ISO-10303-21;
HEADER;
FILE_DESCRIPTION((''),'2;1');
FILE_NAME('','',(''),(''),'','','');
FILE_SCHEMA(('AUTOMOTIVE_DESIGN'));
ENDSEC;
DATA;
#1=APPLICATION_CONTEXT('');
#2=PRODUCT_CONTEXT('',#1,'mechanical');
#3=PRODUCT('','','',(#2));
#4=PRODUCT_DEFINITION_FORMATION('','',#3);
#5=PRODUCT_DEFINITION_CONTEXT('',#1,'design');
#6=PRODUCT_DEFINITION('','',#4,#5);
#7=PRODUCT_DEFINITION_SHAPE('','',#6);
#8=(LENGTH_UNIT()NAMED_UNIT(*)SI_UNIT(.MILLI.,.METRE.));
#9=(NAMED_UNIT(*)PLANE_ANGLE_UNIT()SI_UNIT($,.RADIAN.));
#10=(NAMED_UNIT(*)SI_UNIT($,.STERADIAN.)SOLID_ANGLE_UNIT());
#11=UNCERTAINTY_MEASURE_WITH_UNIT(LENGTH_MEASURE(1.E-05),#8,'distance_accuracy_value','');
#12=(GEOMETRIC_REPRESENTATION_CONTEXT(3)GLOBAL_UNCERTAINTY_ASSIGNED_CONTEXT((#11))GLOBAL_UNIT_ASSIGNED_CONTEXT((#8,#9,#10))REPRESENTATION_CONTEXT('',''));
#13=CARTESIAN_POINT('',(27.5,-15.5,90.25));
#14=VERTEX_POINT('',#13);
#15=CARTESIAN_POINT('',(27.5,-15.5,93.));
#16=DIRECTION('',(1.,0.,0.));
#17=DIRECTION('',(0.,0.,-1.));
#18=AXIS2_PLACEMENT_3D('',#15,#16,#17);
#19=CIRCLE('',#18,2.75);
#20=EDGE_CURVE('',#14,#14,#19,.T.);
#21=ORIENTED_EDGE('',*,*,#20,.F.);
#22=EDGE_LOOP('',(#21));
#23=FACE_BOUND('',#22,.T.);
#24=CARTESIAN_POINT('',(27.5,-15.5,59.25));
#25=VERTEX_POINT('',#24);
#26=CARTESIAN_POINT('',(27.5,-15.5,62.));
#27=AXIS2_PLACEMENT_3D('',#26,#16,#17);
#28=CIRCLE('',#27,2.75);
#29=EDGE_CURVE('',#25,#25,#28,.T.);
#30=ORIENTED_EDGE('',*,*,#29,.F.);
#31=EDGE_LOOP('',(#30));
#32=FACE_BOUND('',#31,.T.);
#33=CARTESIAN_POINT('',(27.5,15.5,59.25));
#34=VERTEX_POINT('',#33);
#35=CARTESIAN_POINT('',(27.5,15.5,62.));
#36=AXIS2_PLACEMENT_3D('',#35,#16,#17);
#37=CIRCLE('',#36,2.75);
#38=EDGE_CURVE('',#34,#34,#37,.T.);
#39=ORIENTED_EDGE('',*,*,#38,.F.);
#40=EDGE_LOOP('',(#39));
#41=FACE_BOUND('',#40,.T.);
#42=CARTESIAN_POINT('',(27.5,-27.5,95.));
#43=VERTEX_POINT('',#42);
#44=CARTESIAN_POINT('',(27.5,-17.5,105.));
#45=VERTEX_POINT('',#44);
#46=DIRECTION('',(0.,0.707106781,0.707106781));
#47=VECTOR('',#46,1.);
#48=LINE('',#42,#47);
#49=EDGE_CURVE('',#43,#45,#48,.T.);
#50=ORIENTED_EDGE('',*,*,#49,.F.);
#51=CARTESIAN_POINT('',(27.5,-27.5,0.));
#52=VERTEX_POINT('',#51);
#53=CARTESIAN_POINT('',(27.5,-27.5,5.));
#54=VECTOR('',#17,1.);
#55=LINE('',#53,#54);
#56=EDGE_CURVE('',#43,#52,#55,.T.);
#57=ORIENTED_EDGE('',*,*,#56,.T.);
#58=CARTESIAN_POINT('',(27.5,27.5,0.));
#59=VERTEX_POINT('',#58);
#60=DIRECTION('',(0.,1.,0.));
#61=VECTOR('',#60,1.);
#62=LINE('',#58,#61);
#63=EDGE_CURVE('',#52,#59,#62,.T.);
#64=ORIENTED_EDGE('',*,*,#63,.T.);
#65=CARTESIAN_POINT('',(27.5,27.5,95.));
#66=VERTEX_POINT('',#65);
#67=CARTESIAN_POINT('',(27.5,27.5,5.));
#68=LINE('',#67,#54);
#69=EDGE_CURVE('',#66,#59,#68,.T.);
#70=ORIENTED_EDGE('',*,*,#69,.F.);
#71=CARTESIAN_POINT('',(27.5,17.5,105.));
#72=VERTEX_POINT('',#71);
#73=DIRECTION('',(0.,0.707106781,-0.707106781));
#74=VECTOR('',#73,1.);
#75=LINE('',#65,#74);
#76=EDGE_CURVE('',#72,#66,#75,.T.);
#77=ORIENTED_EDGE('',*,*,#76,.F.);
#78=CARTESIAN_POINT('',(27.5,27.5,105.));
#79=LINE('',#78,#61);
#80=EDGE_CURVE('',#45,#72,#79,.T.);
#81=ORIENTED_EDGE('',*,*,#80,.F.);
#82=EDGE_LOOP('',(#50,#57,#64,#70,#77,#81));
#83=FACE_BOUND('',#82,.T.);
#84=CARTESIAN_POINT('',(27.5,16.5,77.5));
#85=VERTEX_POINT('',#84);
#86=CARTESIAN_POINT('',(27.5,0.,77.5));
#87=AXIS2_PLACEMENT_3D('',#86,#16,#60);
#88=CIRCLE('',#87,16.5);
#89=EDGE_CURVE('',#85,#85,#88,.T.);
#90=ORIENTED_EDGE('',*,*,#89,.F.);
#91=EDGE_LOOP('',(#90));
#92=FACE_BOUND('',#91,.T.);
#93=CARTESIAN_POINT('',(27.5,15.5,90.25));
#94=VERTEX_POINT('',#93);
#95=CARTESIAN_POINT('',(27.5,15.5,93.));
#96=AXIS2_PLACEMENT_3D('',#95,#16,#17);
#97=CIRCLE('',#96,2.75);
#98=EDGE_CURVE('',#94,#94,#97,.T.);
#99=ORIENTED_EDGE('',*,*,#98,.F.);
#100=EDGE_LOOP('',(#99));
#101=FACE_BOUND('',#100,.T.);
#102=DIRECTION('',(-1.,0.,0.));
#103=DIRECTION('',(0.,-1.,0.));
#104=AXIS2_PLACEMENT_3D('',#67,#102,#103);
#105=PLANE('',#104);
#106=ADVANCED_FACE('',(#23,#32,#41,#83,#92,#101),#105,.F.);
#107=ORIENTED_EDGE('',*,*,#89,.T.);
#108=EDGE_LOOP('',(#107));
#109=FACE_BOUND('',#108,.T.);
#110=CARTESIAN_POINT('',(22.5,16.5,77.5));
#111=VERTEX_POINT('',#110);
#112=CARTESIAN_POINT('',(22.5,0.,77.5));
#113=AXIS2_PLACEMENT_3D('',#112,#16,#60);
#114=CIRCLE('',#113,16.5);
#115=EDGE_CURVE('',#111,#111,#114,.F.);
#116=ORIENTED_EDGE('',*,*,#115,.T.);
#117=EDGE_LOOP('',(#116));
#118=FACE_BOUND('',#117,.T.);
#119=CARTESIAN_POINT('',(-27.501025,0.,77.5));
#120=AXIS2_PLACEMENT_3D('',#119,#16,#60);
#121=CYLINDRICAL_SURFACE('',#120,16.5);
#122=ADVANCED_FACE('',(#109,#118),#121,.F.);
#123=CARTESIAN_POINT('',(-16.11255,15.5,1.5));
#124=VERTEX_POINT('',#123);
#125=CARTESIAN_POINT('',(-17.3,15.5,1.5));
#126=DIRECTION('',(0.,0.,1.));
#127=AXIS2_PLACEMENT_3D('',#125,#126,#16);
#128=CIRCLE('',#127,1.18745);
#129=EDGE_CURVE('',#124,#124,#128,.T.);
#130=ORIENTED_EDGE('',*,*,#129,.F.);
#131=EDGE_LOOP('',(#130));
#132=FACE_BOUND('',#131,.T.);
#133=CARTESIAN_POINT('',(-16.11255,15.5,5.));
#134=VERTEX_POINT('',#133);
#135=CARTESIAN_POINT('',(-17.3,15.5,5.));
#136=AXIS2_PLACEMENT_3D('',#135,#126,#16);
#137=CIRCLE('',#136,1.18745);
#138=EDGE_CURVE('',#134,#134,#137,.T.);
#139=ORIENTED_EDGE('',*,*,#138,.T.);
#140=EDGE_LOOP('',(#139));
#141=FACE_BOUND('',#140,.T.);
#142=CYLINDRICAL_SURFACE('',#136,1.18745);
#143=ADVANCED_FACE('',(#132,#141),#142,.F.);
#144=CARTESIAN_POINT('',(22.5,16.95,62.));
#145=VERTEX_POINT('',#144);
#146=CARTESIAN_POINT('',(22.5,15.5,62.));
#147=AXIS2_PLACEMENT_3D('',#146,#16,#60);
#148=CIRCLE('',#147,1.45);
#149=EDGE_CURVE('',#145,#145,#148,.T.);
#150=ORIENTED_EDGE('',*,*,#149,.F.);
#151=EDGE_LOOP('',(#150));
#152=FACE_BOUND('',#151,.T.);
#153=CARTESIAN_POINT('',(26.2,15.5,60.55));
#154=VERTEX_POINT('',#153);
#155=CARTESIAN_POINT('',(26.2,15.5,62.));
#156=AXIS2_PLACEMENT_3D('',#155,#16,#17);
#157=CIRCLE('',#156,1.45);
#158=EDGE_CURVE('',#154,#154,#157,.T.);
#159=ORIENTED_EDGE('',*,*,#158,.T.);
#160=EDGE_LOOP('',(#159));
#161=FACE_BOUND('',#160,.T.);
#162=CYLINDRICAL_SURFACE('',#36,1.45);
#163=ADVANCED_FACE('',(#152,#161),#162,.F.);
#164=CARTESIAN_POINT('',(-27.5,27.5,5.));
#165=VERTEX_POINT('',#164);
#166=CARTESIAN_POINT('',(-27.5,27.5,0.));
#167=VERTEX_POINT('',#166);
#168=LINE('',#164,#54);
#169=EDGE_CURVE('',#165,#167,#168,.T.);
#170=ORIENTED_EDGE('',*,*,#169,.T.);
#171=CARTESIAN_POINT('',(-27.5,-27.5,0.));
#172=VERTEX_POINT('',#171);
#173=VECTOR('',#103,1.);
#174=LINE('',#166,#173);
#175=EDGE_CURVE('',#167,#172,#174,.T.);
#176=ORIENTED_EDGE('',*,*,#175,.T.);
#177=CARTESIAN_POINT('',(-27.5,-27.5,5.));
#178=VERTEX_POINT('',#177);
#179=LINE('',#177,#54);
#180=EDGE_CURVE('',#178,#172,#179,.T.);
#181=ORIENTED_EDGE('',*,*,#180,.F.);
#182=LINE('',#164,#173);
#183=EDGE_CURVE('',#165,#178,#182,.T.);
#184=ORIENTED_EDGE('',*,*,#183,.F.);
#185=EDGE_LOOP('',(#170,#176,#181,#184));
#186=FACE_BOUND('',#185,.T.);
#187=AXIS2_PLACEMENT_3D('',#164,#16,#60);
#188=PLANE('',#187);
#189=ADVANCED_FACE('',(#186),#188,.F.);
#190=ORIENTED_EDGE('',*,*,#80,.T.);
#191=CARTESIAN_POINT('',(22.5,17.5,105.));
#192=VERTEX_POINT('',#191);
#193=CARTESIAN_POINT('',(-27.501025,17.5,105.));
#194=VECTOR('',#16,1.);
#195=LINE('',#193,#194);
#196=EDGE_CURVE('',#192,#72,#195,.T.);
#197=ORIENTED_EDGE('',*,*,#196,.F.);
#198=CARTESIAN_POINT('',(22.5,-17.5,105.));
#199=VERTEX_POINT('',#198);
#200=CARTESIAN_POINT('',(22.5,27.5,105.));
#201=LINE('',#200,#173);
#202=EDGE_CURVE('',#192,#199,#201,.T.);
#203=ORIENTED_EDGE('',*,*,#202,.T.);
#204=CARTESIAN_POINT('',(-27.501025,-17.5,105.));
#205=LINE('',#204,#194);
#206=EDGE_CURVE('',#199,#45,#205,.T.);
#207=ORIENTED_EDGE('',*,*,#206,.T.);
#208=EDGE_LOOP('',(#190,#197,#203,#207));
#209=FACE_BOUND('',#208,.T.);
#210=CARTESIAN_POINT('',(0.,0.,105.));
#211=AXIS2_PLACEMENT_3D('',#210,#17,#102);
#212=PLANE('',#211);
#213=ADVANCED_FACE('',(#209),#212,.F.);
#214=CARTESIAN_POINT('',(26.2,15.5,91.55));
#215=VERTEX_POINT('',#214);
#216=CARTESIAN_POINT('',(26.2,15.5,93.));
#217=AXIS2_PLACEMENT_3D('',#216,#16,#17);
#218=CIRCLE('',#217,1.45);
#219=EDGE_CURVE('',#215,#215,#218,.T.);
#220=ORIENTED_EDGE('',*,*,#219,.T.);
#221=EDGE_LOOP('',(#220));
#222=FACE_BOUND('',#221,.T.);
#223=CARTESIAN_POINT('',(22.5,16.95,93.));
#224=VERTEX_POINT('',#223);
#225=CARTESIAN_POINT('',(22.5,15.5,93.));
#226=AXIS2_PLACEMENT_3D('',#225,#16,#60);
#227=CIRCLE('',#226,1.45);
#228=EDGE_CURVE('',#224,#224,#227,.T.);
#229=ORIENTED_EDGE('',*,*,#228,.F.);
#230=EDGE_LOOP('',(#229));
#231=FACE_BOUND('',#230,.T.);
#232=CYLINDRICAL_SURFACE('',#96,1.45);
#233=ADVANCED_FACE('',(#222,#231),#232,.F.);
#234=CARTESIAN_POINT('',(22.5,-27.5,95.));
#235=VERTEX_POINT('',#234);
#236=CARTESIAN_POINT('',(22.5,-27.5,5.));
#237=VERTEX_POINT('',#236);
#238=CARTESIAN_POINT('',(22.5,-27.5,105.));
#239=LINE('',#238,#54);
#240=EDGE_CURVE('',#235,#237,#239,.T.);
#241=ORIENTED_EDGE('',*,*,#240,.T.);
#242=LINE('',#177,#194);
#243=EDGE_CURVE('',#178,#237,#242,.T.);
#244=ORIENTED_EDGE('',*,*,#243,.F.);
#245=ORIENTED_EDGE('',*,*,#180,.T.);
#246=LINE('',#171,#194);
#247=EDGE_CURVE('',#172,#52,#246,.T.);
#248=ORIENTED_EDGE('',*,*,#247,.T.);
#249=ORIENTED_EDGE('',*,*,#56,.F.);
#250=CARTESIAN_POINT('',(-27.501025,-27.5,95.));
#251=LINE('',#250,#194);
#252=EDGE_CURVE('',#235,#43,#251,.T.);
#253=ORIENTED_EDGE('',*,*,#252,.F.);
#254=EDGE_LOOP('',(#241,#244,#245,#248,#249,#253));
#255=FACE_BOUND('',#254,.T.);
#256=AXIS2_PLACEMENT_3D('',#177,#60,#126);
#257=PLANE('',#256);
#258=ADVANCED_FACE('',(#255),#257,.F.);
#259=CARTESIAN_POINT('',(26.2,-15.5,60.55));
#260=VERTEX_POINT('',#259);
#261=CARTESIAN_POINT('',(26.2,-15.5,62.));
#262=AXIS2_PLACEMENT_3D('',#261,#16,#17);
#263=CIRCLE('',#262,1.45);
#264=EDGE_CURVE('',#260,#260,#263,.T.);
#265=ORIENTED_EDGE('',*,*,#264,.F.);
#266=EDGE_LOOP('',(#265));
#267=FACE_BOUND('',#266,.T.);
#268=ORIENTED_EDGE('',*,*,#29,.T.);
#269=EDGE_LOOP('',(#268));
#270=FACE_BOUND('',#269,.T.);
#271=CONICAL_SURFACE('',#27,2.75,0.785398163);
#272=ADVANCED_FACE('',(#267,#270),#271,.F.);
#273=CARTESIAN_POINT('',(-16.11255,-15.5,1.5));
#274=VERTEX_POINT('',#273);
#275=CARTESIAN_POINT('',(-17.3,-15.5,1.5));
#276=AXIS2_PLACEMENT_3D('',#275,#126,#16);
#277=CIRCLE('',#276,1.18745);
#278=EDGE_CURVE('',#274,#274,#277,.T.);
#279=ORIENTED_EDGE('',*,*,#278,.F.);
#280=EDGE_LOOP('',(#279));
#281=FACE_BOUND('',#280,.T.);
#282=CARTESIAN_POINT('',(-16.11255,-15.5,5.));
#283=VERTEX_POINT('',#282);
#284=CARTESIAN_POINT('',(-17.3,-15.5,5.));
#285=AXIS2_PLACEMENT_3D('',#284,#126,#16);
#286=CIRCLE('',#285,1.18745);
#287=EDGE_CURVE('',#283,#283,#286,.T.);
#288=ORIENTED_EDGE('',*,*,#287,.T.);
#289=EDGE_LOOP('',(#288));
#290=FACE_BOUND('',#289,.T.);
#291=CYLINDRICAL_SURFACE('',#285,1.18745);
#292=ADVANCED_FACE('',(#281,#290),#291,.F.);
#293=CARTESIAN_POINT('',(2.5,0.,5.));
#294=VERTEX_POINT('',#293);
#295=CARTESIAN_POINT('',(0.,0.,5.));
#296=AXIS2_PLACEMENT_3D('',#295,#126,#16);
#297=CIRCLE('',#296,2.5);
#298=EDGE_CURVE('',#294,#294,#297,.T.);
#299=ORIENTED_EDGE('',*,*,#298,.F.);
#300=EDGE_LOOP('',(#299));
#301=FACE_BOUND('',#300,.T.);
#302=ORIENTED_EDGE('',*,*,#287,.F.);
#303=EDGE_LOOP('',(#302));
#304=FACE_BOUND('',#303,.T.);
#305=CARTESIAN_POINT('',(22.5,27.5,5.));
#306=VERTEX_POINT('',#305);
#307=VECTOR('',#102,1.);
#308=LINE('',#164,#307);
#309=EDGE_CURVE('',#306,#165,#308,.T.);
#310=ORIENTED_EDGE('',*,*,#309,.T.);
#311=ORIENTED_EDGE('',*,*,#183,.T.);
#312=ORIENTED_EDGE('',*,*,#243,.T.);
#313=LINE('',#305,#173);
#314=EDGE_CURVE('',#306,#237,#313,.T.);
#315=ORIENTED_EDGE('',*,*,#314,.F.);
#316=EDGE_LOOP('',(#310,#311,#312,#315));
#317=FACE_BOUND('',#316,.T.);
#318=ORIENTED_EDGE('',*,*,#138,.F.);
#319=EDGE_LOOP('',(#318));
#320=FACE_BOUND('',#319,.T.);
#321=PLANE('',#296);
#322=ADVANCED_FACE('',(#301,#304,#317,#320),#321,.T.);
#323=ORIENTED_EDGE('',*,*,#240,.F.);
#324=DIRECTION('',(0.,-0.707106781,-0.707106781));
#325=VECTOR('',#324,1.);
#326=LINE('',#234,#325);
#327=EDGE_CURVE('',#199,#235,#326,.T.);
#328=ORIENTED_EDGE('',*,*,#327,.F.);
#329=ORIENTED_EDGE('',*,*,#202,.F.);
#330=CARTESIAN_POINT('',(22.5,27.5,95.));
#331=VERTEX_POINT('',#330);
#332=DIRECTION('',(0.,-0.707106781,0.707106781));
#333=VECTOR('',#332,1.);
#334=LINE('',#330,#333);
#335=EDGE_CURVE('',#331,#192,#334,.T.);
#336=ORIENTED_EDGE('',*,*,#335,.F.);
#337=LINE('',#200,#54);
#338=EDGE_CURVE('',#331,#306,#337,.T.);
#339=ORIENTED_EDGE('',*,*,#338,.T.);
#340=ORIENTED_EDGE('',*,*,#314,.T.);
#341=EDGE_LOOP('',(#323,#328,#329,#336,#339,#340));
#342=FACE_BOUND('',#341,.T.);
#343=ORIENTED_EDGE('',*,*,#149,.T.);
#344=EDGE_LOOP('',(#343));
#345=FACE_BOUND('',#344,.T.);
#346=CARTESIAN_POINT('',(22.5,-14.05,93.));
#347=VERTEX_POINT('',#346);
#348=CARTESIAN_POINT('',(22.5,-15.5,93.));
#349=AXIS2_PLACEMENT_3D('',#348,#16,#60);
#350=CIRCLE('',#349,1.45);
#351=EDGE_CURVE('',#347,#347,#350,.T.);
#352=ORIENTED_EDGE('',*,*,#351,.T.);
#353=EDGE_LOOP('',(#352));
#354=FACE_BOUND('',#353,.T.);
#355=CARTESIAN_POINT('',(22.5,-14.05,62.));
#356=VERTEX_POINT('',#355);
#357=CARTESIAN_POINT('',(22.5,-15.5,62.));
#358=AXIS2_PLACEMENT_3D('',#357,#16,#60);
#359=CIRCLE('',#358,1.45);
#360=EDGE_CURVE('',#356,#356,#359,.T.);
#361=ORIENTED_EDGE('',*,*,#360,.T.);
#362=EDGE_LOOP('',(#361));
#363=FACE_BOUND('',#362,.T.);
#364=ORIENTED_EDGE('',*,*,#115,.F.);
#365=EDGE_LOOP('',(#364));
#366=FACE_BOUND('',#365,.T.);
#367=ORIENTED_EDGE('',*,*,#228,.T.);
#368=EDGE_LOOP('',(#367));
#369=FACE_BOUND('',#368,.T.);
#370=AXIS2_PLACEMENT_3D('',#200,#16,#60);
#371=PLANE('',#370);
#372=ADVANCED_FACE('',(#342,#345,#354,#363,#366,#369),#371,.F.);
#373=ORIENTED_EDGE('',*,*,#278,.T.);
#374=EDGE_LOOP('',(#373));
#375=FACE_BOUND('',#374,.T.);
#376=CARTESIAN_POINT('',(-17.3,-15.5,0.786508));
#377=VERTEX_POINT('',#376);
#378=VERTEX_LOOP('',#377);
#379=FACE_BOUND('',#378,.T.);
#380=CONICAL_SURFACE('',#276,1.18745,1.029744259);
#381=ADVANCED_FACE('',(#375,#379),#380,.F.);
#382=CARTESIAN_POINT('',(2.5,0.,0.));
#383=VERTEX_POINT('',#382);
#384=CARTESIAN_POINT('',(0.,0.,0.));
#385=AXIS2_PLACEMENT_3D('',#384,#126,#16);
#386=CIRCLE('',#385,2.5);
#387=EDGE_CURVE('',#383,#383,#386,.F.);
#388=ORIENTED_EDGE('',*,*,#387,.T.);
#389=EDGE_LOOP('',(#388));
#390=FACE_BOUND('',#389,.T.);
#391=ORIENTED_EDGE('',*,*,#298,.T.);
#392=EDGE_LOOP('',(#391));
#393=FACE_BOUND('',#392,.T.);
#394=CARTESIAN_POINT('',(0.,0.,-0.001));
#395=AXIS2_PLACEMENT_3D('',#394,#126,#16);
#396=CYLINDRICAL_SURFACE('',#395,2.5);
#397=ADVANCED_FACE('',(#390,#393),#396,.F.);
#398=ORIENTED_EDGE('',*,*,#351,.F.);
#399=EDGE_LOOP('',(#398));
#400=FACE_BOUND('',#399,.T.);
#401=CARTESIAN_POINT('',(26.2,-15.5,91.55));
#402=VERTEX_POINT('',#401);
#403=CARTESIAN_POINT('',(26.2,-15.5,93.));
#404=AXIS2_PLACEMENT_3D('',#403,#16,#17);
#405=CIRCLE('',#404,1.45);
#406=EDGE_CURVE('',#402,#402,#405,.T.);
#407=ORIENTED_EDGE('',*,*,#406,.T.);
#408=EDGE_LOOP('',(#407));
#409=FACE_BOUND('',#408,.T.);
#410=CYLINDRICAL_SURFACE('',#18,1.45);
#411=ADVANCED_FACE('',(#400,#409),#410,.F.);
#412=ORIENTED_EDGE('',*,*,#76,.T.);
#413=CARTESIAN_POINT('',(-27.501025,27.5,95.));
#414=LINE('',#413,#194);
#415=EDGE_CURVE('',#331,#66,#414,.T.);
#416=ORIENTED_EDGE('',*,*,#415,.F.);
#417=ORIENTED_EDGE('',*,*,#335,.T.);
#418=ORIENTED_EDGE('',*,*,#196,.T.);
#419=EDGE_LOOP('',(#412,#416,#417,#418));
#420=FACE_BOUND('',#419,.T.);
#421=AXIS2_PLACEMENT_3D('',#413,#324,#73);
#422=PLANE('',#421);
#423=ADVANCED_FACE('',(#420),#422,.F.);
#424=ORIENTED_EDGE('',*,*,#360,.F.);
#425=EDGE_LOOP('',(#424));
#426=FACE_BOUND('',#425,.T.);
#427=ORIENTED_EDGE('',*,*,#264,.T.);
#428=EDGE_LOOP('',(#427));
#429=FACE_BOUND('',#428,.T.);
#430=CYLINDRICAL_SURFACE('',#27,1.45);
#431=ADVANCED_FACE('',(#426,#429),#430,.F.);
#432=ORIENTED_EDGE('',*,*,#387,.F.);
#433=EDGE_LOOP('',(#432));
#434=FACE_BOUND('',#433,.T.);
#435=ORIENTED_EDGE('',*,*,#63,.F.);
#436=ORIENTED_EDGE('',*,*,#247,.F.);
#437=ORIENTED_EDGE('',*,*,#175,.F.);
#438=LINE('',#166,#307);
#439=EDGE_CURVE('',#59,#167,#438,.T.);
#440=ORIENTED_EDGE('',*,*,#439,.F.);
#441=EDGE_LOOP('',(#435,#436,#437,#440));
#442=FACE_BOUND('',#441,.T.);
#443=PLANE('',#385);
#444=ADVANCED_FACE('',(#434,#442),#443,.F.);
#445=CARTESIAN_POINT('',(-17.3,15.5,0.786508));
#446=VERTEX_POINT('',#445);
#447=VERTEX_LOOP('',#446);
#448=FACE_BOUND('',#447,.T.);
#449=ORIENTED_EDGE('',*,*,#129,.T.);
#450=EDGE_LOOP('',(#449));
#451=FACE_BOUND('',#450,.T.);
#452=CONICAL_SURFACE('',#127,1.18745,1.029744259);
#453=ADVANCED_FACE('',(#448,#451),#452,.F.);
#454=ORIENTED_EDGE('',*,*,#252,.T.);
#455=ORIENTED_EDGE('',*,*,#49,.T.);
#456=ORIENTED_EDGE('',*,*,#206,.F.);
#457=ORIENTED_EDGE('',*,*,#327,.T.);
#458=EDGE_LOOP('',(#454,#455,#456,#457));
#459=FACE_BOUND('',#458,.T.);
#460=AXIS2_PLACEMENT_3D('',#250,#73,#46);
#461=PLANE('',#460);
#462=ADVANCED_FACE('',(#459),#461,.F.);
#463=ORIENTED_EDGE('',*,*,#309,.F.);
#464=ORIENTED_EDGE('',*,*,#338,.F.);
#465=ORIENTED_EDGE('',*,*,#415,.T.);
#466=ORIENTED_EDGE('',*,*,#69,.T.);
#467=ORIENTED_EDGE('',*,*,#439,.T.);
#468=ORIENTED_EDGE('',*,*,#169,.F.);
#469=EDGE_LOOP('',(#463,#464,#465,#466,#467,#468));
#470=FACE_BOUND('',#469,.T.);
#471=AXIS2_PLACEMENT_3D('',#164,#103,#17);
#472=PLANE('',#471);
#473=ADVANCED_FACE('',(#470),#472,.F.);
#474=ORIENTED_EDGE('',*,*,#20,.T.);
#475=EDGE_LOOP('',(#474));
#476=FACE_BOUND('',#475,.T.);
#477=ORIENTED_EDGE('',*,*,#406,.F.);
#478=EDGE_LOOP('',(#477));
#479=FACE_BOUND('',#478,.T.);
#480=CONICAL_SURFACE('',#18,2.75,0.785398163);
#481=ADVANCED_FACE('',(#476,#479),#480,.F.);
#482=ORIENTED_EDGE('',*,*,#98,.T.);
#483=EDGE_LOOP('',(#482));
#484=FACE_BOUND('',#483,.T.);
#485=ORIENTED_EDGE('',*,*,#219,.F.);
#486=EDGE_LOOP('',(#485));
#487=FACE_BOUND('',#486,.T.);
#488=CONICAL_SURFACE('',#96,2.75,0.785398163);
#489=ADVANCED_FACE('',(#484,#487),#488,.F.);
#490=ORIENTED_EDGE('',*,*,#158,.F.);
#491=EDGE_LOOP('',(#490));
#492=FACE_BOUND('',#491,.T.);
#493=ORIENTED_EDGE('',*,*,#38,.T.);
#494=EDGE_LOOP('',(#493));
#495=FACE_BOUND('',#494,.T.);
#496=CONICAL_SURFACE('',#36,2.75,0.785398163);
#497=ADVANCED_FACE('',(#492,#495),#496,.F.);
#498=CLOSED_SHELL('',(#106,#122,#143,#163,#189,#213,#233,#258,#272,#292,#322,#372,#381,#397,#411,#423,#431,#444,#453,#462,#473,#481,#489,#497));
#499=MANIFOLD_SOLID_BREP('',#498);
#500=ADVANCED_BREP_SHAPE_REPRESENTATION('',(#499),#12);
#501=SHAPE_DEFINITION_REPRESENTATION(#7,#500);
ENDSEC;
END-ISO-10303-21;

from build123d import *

# Parameters (mm, degrees)
SKETCH1_W                                         = 55
SKETCH1_H                                         = 55
BOSS_EXTRUDE1_DEPTH                               = 5
SKETCH2_W                                         = 5
SKETCH2_H                                         = 55
BOSS_EXTRUDE2_DEPTH                               = 100
CUT_EXTRUDE1_REACH                                = 57
SKETCH3_R                                         = 16.5
CUT_EXTRUDE2_REACH                                = 7
SKETCH4_R                                         = 2.5
CUT_EXTRUDE3_REACH                                = 57
F_4_48_TAPPED_HOLE1_D                             = 2.3749
F_4_48_TAPPED_HOLE1_DEPTH                         = 3.5
F_4_48_TAPPED_HOLE1_TIP                           = 0.713491942
CSK_FOR_M2_5_FLAT_HEAD_MACHINE_SCREW1_D           = 2.9
CSK_FOR_M2_5_FLAT_HEAD_MACHINE_SCREW1_DEPTH       = 5
CSK_FOR_M2_5_FLAT_HEAD_MACHINE_SCREW1_CSINK_D     = 5.5
CSK_FOR_M2_5_FLAT_HEAD_MACHINE_SCREW1_CSINK_ANGLE = 90


with BuildPart() as part:
    # Sketch1 → Boss-Extrude1 (new body)
    with BuildSketch(Plane.XY):
        Rectangle(SKETCH1_W, SKETCH1_H)
    extrude(amount=BOSS_EXTRUDE1_DEPTH)

    # Sketch2 → Boss-Extrude2 (add)
    with BuildSketch(Plane.XY.offset(5)):
        with Locations((25, 0)):
            Rectangle(SKETCH2_W, SKETCH2_H)
    extrude(amount=BOSS_EXTRUDE2_DEPTH)

    # Sketch3 → Cut-Extrude1 (cut, up to next)
    with BuildSketch(Plane(origin=(27.5, 0, 0), x_dir=(0, 0, -1), z_dir=(1, 0, 0)), mode=Mode.PRIVATE) as cut_extrude1_sk1:
        with Locations((-77.5, 0)):
            Circle(SKETCH3_R)
    cut_extrude1_tool1 = extrude(cut_extrude1_sk1.sketch, amount=-CUT_EXTRUDE1_REACH, mode=Mode.PRIVATE) & part.part
    add(cut_extrude1_tool1.solids().sort_by_distance((27.5, 0, 77.5))[0], mode=Mode.SUBTRACT)

    # Sketch4 → Cut-Extrude2 (cut, up to next)
    with BuildSketch(Plane.XY.offset(5), mode=Mode.PRIVATE) as cut_extrude2_sk1:
        Circle(SKETCH4_R)
    cut_extrude2_tool1 = extrude(cut_extrude2_sk1.sketch, amount=-CUT_EXTRUDE2_REACH, mode=Mode.PRIVATE) & part.part
    add(cut_extrude2_tool1.solids().sort_by_distance((0, 0, 5))[0], mode=Mode.SUBTRACT)

    # Sketch5 → Cut-Extrude3 (cut, up to next)
    with BuildSketch(Plane(origin=(27.5, 0, 0), x_dir=(0, 0, -1), z_dir=(1, 0, 0)), mode=Mode.PRIVATE) as cut_extrude3_sk1:
        Polygon((-105, 27.5), (-95, 27.5), (-105, 17.5), align=None)
    cut_extrude3_tool1 = extrude(cut_extrude3_sk1.sketch, amount=-CUT_EXTRUDE3_REACH, mode=Mode.PRIVATE) & part.part
    add(cut_extrude3_tool1.solids().sort_by_distance((27.5, 24.166667, 101.666667))[0], mode=Mode.SUBTRACT)
    # Sketch5 → Cut-Extrude3 (cut, up to next)
    with BuildSketch(Plane(origin=(27.5, 0, 0), x_dir=(0, 0, -1), z_dir=(1, 0, 0)), mode=Mode.PRIVATE) as cut_extrude3_sk2:
        Polygon((-105, -27.5), (-95, -27.5), (-105, -17.5), align=None)
    cut_extrude3_tool2 = extrude(cut_extrude3_sk2.sketch, amount=-CUT_EXTRUDE3_REACH, mode=Mode.PRIVATE) & part.part
    add(cut_extrude3_tool2.solids().sort_by_distance((27.5, -24.166667, 101.666667))[0], mode=Mode.SUBTRACT)

    # #4-48 Tapped Hole1
    with Locations(Plane.XY.offset(5)):
        with Locations((-17.3, 15.5), (-17.3, -15.5)):
            Hole(F_4_48_TAPPED_HOLE1_D / 2, depth=F_4_48_TAPPED_HOLE1_DEPTH)
            with Locations((0, 0, -(F_4_48_TAPPED_HOLE1_DEPTH + F_4_48_TAPPED_HOLE1_TIP / 2))):  # 118° drill point
                Cone(0, F_4_48_TAPPED_HOLE1_D / 2, F_4_48_TAPPED_HOLE1_TIP, mode=Mode.SUBTRACT)

    # CSK for M2.5 Flat Head Machine Screw1
    with Locations(Plane(origin=(27.5, 0, 0), x_dir=(0, 0, -1), z_dir=(1, 0, 0))):
        with Locations((-93, 15.5), (-62, 15.5), (-62, -15.5), (-93, -15.5)):
            CounterSinkHole(CSK_FOR_M2_5_FLAT_HEAD_MACHINE_SCREW1_D / 2, CSK_FOR_M2_5_FLAT_HEAD_MACHINE_SCREW1_CSINK_D / 2, depth=CSK_FOR_M2_5_FLAT_HEAD_MACHINE_SCREW1_DEPTH, counter_sink_angle=CSK_FOR_M2_5_FLAT_HEAD_MACHINE_SCREW1_CSINK_ANGLE)


solid = part.part
